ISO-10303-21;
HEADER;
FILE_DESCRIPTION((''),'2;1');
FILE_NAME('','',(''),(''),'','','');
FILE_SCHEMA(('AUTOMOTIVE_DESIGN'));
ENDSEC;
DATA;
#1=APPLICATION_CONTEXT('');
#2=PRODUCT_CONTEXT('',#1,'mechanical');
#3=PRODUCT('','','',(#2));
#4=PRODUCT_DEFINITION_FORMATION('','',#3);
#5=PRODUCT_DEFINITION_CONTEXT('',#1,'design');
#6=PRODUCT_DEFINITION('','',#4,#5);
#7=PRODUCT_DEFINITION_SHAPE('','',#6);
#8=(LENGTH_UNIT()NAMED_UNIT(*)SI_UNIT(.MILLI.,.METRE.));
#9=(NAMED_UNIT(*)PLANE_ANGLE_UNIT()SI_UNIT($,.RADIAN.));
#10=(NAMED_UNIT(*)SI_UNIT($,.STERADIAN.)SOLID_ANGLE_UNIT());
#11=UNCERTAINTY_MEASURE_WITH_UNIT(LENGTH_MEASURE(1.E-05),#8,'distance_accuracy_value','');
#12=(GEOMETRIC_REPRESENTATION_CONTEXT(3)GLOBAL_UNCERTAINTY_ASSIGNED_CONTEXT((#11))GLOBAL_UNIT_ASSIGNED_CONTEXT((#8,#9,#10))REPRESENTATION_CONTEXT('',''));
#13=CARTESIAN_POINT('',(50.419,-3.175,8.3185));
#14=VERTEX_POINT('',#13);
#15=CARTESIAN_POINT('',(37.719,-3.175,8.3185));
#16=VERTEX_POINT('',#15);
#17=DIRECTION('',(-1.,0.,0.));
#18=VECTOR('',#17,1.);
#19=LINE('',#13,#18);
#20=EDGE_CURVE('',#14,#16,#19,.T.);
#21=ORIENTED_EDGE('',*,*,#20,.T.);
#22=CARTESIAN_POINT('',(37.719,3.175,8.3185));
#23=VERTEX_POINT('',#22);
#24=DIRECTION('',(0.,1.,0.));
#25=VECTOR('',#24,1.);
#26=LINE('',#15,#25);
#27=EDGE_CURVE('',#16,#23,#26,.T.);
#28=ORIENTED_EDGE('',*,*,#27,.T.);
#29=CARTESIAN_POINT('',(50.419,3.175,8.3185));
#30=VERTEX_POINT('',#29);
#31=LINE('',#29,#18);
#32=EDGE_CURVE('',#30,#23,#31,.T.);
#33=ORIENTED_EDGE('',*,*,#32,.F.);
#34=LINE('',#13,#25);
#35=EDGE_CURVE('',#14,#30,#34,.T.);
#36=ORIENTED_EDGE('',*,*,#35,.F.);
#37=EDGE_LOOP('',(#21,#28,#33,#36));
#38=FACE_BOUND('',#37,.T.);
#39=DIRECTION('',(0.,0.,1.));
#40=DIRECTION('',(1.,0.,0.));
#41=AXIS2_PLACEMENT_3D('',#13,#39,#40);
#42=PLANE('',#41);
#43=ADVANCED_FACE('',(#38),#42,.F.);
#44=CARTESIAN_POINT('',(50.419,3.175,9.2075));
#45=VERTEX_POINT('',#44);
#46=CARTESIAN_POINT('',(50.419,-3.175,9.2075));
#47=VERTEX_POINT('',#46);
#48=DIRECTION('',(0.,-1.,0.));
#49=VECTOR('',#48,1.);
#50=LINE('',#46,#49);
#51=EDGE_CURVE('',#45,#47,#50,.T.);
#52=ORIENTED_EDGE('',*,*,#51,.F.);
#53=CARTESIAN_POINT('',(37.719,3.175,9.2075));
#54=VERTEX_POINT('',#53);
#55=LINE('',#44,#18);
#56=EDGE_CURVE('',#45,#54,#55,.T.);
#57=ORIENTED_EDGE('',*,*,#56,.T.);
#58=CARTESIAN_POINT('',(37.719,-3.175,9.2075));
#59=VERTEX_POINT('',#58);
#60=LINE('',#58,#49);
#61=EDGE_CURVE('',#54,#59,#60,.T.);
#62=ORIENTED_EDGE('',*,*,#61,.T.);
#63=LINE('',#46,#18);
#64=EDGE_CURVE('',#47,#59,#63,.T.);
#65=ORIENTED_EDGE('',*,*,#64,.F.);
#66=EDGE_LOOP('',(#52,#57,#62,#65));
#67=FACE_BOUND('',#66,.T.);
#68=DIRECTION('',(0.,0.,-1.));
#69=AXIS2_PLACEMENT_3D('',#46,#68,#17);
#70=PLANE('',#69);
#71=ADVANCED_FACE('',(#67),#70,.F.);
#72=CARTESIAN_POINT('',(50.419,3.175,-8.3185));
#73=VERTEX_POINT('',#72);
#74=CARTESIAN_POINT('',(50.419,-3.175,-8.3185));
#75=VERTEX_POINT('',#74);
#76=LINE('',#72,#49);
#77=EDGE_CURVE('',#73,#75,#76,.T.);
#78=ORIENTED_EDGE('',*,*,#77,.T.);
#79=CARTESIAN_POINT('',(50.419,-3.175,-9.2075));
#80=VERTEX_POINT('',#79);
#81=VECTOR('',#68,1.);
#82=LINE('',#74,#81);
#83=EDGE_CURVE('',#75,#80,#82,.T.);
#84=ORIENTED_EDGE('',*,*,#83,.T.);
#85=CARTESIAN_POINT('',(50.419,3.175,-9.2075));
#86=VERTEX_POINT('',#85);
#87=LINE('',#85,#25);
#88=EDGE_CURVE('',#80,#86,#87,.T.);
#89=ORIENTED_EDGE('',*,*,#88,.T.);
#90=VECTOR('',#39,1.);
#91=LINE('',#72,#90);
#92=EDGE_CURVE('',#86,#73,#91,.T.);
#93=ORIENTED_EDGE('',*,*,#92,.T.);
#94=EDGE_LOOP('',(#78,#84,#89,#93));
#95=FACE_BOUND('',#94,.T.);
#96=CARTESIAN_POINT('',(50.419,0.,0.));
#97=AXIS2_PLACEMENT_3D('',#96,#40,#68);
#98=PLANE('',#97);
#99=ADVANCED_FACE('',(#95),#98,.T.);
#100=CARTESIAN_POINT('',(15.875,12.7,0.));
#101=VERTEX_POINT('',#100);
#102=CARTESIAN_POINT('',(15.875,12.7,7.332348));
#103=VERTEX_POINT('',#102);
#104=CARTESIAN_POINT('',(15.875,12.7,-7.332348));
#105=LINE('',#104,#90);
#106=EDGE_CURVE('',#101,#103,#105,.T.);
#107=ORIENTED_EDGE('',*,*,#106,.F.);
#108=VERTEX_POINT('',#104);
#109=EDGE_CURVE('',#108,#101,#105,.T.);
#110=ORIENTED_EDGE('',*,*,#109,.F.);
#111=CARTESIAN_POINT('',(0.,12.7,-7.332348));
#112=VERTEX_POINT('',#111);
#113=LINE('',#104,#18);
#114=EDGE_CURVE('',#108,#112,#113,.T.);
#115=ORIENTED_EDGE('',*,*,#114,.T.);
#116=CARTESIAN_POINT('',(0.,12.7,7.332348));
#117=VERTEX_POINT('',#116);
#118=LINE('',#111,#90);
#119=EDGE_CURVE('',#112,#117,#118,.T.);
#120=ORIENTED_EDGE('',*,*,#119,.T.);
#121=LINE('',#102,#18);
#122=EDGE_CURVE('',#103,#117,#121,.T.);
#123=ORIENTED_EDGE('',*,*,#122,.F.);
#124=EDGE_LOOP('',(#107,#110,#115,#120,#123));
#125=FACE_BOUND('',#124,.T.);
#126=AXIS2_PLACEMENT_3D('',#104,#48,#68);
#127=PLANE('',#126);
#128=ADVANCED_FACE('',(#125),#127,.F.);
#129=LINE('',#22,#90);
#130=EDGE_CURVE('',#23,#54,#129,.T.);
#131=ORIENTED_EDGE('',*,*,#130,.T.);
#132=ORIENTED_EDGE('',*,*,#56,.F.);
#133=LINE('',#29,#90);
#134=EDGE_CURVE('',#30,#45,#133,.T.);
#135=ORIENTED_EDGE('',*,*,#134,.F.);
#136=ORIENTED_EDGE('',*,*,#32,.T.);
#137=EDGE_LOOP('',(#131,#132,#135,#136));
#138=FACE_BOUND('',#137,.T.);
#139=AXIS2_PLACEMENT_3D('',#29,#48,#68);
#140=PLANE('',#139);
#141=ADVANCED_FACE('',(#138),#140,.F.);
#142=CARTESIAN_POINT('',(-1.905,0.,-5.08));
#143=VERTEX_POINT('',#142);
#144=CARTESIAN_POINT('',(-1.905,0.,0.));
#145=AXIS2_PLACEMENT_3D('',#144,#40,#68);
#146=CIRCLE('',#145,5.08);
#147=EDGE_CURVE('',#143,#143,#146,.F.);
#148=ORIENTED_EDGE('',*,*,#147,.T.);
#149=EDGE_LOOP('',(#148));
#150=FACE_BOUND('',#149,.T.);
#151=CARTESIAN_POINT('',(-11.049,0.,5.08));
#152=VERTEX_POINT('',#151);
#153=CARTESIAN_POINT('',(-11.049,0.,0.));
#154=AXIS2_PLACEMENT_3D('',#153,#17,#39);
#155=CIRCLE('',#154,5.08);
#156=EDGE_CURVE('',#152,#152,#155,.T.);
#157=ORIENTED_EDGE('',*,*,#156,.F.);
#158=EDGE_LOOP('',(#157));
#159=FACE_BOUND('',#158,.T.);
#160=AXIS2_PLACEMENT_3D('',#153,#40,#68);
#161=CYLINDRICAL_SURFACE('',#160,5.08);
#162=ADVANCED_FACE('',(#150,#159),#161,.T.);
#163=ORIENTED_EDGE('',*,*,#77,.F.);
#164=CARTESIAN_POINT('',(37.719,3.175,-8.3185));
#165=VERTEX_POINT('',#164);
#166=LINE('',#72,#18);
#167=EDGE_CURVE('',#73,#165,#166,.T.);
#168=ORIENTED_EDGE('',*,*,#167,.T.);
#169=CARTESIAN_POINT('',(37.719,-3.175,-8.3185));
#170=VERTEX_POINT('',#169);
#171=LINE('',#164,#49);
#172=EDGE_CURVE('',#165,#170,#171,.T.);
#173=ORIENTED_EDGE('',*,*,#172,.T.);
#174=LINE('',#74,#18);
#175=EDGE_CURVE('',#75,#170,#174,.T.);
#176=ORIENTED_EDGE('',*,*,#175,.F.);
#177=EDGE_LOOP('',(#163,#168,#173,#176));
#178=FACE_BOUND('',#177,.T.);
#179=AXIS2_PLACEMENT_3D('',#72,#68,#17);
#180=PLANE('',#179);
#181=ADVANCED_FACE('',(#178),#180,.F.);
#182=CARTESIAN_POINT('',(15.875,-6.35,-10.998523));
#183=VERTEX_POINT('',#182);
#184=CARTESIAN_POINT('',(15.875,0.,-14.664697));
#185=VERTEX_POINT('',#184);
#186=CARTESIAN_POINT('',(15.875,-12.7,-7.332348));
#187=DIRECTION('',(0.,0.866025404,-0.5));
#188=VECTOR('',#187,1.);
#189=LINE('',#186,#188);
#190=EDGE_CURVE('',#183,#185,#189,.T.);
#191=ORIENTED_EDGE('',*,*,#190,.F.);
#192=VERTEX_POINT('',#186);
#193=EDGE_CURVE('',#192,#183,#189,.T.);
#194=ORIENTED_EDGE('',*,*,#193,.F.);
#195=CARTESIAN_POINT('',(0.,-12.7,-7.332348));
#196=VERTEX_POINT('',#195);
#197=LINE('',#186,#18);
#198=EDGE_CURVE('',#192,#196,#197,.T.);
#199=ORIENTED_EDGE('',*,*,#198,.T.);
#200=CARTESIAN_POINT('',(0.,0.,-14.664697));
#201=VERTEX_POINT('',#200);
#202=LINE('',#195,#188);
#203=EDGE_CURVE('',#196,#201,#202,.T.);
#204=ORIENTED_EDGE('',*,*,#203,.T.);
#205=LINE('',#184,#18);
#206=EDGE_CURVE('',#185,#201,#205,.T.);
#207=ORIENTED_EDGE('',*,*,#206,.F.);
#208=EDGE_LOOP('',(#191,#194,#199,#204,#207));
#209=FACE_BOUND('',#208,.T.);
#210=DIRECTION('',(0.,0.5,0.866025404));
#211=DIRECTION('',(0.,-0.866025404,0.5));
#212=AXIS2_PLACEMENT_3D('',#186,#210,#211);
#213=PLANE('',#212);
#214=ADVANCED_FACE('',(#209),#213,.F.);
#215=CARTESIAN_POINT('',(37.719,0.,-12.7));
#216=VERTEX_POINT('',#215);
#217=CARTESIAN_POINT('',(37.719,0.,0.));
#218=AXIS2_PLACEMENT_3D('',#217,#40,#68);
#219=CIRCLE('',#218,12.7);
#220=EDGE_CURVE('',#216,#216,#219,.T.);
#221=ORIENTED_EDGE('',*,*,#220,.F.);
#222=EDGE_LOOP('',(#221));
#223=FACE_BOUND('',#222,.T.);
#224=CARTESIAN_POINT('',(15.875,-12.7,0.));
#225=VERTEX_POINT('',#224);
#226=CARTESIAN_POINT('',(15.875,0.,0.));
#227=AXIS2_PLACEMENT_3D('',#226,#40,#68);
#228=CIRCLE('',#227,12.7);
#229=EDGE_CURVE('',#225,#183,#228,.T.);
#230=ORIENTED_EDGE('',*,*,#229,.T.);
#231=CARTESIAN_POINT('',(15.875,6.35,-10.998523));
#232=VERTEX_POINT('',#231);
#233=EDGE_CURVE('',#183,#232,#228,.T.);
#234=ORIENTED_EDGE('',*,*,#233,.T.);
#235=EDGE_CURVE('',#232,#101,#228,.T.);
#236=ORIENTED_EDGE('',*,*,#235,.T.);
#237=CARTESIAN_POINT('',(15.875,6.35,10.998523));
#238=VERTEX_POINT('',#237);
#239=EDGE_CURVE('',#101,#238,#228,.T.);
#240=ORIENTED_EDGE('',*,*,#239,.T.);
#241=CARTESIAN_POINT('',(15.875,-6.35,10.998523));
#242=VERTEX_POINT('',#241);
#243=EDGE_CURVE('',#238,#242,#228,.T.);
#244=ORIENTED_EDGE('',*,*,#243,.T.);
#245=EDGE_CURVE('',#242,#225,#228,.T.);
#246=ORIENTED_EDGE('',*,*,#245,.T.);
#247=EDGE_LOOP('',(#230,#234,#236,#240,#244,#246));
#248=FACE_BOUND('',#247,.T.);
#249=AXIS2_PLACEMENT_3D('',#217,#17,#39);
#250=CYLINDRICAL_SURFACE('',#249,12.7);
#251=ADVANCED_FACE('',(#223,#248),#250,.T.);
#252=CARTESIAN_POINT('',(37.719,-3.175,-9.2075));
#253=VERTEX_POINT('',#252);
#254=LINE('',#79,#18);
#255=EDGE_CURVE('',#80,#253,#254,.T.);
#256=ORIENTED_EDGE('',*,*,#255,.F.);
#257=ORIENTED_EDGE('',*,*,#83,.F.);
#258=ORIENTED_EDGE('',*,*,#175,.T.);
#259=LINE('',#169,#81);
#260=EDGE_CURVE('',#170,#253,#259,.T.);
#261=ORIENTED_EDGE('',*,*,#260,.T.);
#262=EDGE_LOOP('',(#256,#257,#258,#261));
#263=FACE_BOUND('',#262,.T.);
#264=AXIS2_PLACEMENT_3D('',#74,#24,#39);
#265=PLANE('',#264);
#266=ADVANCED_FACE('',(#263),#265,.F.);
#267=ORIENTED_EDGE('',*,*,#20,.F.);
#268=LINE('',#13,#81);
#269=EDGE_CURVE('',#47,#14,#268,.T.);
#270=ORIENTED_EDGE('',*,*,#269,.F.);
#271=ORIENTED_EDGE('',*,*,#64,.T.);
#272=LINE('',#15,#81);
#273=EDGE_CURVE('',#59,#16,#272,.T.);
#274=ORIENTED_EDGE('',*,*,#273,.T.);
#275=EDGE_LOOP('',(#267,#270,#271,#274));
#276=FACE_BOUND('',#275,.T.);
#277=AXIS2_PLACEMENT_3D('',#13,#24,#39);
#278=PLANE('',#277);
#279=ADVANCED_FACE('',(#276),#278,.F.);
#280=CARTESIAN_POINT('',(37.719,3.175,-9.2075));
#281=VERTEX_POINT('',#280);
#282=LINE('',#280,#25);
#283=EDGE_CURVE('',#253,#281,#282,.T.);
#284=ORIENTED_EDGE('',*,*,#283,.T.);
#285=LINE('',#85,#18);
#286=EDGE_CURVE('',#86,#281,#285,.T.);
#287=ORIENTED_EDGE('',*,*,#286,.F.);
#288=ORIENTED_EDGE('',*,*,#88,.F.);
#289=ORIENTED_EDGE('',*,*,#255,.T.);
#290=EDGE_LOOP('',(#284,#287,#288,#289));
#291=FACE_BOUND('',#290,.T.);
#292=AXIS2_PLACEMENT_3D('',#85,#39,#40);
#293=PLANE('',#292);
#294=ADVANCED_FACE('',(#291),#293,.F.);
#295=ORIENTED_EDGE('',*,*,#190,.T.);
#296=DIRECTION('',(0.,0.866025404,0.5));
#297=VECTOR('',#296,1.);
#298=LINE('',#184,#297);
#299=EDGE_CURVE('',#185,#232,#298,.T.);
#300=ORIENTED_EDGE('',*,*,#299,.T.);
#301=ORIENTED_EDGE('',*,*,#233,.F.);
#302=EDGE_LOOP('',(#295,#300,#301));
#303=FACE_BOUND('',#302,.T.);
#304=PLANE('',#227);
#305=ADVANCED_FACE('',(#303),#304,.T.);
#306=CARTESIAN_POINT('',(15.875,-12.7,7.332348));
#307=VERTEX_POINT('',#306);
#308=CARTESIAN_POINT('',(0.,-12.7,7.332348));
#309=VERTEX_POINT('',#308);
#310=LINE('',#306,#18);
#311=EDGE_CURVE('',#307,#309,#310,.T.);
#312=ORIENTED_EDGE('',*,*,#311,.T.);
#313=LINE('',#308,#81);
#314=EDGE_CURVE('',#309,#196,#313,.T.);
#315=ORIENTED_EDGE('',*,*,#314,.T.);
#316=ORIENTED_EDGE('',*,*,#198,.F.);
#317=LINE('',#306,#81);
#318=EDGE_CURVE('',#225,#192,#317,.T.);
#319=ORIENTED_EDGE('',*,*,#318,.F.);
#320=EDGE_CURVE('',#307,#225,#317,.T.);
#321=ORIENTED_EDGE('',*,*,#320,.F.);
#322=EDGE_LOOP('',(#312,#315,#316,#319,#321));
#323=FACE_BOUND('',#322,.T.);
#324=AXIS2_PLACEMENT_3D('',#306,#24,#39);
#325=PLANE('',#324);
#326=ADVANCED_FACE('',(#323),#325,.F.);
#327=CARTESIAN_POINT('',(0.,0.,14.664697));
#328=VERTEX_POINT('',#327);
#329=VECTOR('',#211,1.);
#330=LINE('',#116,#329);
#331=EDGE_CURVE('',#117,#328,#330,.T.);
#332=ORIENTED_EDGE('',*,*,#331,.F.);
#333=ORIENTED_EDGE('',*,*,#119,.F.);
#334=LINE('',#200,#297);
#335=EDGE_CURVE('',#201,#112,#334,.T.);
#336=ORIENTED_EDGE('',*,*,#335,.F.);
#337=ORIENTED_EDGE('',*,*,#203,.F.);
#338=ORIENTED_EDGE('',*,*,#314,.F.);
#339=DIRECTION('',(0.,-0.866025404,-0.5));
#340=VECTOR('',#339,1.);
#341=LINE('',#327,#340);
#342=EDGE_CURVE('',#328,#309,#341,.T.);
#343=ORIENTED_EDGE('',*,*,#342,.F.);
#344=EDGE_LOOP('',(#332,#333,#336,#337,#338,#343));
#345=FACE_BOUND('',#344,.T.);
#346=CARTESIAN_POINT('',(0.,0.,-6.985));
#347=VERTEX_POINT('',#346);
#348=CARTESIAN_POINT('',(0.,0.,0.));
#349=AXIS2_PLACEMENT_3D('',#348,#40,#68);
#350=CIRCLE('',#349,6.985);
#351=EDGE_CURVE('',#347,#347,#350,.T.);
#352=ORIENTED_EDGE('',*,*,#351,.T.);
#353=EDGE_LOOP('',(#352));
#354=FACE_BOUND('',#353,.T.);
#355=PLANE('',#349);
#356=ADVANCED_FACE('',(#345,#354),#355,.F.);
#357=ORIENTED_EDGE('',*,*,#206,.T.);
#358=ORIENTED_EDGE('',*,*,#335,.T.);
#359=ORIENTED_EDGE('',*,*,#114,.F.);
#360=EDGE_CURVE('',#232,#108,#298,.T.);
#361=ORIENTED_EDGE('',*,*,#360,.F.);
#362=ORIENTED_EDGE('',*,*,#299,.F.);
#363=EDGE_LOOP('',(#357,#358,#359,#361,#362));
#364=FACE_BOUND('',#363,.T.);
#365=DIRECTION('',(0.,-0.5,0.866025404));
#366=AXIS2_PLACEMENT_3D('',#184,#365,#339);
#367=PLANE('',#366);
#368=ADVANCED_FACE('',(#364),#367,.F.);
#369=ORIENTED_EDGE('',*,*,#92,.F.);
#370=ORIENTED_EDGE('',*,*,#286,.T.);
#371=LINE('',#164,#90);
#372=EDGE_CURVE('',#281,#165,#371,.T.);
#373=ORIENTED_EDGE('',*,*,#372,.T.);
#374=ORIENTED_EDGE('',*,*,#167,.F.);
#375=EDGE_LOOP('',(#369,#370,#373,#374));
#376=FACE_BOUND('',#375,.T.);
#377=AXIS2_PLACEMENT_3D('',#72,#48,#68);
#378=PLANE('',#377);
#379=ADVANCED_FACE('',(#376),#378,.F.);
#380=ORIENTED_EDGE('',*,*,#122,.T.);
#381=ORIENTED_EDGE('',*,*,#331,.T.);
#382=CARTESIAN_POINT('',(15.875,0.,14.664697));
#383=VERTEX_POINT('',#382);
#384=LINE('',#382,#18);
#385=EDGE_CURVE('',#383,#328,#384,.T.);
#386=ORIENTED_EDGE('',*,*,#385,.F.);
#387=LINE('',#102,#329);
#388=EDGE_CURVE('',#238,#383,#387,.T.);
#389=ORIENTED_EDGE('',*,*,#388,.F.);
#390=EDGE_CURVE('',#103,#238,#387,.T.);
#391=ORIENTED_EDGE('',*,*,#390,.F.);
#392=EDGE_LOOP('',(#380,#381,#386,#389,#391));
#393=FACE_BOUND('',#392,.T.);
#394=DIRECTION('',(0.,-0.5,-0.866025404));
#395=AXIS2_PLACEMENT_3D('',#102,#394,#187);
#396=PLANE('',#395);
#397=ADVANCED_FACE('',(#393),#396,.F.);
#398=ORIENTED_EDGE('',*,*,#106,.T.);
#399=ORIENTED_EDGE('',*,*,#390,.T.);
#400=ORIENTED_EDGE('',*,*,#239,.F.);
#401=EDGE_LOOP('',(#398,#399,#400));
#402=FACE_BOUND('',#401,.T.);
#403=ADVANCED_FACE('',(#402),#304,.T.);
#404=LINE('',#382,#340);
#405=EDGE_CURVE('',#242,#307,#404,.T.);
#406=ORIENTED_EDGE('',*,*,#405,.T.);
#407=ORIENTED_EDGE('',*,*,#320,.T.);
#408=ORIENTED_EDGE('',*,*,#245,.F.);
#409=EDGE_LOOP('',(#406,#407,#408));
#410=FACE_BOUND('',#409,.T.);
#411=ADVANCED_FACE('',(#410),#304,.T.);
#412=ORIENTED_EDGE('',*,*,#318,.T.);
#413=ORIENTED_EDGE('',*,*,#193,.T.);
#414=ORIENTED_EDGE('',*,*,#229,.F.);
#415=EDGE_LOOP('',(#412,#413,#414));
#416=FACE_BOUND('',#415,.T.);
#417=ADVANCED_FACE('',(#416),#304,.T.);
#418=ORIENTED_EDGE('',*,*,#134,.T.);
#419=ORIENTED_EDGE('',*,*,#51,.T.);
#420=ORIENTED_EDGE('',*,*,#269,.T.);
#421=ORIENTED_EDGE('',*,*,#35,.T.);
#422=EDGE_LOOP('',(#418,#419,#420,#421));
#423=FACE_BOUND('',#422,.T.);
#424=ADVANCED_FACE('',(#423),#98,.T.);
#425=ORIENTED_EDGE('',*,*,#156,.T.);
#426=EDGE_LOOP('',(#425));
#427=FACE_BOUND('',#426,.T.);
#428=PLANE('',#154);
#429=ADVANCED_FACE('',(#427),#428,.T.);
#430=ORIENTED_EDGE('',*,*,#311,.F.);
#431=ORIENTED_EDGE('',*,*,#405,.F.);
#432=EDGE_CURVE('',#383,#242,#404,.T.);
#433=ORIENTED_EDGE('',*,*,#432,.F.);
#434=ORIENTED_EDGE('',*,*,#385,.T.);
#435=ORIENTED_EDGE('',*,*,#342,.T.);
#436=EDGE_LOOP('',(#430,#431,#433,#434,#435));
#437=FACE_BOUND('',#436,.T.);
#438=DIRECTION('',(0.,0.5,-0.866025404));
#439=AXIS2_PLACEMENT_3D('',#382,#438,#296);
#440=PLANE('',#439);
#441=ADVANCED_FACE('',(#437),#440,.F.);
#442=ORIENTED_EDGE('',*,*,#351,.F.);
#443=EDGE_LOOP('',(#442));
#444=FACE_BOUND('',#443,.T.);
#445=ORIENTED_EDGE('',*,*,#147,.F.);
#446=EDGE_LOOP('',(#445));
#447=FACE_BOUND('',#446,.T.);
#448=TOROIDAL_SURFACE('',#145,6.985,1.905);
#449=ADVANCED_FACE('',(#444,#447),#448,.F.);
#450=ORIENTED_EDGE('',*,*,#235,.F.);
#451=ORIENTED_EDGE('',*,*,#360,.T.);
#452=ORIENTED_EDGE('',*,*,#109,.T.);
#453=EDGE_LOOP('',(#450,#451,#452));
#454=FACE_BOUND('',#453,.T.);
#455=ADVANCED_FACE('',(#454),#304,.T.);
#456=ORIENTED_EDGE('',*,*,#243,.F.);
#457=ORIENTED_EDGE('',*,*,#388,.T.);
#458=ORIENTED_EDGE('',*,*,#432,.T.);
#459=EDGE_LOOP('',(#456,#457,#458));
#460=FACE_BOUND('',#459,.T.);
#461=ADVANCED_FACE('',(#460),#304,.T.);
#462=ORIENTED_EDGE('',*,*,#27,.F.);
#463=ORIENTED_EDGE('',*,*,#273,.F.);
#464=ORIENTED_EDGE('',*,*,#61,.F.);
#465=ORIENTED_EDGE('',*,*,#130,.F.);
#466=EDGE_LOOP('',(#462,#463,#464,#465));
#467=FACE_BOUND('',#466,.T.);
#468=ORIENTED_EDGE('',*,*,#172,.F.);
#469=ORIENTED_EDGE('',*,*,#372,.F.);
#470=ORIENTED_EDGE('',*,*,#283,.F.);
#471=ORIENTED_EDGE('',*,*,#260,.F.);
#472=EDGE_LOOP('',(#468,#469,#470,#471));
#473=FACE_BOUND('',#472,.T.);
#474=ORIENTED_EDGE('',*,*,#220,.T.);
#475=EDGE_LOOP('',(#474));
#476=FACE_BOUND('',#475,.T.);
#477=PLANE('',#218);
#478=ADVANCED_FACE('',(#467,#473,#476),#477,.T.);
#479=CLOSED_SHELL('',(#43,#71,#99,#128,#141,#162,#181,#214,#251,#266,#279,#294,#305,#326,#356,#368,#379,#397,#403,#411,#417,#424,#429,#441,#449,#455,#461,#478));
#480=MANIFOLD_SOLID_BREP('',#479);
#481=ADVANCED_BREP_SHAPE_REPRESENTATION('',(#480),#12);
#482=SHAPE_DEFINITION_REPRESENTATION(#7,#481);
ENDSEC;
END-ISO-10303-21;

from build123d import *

# Parameters (mm, degrees)
BOSS_EXTRUDE1_DEPTH = 15.875
SKETCH2_R           = 12.7
BOSS_EXTRUDE2_DEPTH = 21.844
SKETCH3_R           = 5.08
BOSS_EXTRUDE3_DEPTH = 11.049
FILLET1_R           = 1.905
SKETCH4_W           = 0.889
SKETCH4_H           = 6.35
BOSS_EXTRUDE4_DEPTH = 12.7


with BuildPart() as part:
    # Sketch1 → Boss-Extrude1 (new body)
    with BuildSketch(Plane(origin=(0, 0, 0), x_dir=(0, 0, -1), z_dir=(1, 0, 0))):
        Polygon((14.664696837, 0), (7.332348419, 12.7), (-7.332348419, 12.7), (-14.664696837, 0), (-7.332348419, -12.7), (7.332348419, -12.7), align=None)
    extrude(amount=BOSS_EXTRUDE1_DEPTH)

    # Sketch2 → Boss-Extrude2 (add)
    with BuildSketch(Plane(origin=(15.875, 0, 0), x_dir=(0, 0, -1), z_dir=(1, 0, 0))):
        with Locations(Location((0, 0, 0), (0, 0, 150))):
            Circle(SKETCH2_R)
    extrude(amount=BOSS_EXTRUDE2_DEPTH)

    # Sketch3 → Boss-Extrude3 (add)
    with BuildSketch(Plane.ZY):
        with Locations(Location((0, 0, 0), (0, 0, 180))):
            Circle(SKETCH3_R)
    extrude(amount=BOSS_EXTRUDE3_DEPTH)

    # Fillet1
    fillet1_edges = [part.edges().sort_by_distance(p)[0] for p in [
        (0, 0, 5.08),
    ]]
    fillet(fillet1_edges, radius=FILLET1_R)

    # Sketch4 → Boss-Extrude4 (add)
    with BuildSketch(Plane(origin=(37.719, 0, 0), x_dir=(0, 0, -1), z_dir=(1, 0, 0))):
        with Locations((-8.763, 0)):
            Rectangle(SKETCH4_W, SKETCH4_H)
        with Locations((8.763, 0)):
            Rectangle(SKETCH4_W, SKETCH4_H)
    extrude(amount=BOSS_EXTRUDE4_DEPTH)


solid = part.part
